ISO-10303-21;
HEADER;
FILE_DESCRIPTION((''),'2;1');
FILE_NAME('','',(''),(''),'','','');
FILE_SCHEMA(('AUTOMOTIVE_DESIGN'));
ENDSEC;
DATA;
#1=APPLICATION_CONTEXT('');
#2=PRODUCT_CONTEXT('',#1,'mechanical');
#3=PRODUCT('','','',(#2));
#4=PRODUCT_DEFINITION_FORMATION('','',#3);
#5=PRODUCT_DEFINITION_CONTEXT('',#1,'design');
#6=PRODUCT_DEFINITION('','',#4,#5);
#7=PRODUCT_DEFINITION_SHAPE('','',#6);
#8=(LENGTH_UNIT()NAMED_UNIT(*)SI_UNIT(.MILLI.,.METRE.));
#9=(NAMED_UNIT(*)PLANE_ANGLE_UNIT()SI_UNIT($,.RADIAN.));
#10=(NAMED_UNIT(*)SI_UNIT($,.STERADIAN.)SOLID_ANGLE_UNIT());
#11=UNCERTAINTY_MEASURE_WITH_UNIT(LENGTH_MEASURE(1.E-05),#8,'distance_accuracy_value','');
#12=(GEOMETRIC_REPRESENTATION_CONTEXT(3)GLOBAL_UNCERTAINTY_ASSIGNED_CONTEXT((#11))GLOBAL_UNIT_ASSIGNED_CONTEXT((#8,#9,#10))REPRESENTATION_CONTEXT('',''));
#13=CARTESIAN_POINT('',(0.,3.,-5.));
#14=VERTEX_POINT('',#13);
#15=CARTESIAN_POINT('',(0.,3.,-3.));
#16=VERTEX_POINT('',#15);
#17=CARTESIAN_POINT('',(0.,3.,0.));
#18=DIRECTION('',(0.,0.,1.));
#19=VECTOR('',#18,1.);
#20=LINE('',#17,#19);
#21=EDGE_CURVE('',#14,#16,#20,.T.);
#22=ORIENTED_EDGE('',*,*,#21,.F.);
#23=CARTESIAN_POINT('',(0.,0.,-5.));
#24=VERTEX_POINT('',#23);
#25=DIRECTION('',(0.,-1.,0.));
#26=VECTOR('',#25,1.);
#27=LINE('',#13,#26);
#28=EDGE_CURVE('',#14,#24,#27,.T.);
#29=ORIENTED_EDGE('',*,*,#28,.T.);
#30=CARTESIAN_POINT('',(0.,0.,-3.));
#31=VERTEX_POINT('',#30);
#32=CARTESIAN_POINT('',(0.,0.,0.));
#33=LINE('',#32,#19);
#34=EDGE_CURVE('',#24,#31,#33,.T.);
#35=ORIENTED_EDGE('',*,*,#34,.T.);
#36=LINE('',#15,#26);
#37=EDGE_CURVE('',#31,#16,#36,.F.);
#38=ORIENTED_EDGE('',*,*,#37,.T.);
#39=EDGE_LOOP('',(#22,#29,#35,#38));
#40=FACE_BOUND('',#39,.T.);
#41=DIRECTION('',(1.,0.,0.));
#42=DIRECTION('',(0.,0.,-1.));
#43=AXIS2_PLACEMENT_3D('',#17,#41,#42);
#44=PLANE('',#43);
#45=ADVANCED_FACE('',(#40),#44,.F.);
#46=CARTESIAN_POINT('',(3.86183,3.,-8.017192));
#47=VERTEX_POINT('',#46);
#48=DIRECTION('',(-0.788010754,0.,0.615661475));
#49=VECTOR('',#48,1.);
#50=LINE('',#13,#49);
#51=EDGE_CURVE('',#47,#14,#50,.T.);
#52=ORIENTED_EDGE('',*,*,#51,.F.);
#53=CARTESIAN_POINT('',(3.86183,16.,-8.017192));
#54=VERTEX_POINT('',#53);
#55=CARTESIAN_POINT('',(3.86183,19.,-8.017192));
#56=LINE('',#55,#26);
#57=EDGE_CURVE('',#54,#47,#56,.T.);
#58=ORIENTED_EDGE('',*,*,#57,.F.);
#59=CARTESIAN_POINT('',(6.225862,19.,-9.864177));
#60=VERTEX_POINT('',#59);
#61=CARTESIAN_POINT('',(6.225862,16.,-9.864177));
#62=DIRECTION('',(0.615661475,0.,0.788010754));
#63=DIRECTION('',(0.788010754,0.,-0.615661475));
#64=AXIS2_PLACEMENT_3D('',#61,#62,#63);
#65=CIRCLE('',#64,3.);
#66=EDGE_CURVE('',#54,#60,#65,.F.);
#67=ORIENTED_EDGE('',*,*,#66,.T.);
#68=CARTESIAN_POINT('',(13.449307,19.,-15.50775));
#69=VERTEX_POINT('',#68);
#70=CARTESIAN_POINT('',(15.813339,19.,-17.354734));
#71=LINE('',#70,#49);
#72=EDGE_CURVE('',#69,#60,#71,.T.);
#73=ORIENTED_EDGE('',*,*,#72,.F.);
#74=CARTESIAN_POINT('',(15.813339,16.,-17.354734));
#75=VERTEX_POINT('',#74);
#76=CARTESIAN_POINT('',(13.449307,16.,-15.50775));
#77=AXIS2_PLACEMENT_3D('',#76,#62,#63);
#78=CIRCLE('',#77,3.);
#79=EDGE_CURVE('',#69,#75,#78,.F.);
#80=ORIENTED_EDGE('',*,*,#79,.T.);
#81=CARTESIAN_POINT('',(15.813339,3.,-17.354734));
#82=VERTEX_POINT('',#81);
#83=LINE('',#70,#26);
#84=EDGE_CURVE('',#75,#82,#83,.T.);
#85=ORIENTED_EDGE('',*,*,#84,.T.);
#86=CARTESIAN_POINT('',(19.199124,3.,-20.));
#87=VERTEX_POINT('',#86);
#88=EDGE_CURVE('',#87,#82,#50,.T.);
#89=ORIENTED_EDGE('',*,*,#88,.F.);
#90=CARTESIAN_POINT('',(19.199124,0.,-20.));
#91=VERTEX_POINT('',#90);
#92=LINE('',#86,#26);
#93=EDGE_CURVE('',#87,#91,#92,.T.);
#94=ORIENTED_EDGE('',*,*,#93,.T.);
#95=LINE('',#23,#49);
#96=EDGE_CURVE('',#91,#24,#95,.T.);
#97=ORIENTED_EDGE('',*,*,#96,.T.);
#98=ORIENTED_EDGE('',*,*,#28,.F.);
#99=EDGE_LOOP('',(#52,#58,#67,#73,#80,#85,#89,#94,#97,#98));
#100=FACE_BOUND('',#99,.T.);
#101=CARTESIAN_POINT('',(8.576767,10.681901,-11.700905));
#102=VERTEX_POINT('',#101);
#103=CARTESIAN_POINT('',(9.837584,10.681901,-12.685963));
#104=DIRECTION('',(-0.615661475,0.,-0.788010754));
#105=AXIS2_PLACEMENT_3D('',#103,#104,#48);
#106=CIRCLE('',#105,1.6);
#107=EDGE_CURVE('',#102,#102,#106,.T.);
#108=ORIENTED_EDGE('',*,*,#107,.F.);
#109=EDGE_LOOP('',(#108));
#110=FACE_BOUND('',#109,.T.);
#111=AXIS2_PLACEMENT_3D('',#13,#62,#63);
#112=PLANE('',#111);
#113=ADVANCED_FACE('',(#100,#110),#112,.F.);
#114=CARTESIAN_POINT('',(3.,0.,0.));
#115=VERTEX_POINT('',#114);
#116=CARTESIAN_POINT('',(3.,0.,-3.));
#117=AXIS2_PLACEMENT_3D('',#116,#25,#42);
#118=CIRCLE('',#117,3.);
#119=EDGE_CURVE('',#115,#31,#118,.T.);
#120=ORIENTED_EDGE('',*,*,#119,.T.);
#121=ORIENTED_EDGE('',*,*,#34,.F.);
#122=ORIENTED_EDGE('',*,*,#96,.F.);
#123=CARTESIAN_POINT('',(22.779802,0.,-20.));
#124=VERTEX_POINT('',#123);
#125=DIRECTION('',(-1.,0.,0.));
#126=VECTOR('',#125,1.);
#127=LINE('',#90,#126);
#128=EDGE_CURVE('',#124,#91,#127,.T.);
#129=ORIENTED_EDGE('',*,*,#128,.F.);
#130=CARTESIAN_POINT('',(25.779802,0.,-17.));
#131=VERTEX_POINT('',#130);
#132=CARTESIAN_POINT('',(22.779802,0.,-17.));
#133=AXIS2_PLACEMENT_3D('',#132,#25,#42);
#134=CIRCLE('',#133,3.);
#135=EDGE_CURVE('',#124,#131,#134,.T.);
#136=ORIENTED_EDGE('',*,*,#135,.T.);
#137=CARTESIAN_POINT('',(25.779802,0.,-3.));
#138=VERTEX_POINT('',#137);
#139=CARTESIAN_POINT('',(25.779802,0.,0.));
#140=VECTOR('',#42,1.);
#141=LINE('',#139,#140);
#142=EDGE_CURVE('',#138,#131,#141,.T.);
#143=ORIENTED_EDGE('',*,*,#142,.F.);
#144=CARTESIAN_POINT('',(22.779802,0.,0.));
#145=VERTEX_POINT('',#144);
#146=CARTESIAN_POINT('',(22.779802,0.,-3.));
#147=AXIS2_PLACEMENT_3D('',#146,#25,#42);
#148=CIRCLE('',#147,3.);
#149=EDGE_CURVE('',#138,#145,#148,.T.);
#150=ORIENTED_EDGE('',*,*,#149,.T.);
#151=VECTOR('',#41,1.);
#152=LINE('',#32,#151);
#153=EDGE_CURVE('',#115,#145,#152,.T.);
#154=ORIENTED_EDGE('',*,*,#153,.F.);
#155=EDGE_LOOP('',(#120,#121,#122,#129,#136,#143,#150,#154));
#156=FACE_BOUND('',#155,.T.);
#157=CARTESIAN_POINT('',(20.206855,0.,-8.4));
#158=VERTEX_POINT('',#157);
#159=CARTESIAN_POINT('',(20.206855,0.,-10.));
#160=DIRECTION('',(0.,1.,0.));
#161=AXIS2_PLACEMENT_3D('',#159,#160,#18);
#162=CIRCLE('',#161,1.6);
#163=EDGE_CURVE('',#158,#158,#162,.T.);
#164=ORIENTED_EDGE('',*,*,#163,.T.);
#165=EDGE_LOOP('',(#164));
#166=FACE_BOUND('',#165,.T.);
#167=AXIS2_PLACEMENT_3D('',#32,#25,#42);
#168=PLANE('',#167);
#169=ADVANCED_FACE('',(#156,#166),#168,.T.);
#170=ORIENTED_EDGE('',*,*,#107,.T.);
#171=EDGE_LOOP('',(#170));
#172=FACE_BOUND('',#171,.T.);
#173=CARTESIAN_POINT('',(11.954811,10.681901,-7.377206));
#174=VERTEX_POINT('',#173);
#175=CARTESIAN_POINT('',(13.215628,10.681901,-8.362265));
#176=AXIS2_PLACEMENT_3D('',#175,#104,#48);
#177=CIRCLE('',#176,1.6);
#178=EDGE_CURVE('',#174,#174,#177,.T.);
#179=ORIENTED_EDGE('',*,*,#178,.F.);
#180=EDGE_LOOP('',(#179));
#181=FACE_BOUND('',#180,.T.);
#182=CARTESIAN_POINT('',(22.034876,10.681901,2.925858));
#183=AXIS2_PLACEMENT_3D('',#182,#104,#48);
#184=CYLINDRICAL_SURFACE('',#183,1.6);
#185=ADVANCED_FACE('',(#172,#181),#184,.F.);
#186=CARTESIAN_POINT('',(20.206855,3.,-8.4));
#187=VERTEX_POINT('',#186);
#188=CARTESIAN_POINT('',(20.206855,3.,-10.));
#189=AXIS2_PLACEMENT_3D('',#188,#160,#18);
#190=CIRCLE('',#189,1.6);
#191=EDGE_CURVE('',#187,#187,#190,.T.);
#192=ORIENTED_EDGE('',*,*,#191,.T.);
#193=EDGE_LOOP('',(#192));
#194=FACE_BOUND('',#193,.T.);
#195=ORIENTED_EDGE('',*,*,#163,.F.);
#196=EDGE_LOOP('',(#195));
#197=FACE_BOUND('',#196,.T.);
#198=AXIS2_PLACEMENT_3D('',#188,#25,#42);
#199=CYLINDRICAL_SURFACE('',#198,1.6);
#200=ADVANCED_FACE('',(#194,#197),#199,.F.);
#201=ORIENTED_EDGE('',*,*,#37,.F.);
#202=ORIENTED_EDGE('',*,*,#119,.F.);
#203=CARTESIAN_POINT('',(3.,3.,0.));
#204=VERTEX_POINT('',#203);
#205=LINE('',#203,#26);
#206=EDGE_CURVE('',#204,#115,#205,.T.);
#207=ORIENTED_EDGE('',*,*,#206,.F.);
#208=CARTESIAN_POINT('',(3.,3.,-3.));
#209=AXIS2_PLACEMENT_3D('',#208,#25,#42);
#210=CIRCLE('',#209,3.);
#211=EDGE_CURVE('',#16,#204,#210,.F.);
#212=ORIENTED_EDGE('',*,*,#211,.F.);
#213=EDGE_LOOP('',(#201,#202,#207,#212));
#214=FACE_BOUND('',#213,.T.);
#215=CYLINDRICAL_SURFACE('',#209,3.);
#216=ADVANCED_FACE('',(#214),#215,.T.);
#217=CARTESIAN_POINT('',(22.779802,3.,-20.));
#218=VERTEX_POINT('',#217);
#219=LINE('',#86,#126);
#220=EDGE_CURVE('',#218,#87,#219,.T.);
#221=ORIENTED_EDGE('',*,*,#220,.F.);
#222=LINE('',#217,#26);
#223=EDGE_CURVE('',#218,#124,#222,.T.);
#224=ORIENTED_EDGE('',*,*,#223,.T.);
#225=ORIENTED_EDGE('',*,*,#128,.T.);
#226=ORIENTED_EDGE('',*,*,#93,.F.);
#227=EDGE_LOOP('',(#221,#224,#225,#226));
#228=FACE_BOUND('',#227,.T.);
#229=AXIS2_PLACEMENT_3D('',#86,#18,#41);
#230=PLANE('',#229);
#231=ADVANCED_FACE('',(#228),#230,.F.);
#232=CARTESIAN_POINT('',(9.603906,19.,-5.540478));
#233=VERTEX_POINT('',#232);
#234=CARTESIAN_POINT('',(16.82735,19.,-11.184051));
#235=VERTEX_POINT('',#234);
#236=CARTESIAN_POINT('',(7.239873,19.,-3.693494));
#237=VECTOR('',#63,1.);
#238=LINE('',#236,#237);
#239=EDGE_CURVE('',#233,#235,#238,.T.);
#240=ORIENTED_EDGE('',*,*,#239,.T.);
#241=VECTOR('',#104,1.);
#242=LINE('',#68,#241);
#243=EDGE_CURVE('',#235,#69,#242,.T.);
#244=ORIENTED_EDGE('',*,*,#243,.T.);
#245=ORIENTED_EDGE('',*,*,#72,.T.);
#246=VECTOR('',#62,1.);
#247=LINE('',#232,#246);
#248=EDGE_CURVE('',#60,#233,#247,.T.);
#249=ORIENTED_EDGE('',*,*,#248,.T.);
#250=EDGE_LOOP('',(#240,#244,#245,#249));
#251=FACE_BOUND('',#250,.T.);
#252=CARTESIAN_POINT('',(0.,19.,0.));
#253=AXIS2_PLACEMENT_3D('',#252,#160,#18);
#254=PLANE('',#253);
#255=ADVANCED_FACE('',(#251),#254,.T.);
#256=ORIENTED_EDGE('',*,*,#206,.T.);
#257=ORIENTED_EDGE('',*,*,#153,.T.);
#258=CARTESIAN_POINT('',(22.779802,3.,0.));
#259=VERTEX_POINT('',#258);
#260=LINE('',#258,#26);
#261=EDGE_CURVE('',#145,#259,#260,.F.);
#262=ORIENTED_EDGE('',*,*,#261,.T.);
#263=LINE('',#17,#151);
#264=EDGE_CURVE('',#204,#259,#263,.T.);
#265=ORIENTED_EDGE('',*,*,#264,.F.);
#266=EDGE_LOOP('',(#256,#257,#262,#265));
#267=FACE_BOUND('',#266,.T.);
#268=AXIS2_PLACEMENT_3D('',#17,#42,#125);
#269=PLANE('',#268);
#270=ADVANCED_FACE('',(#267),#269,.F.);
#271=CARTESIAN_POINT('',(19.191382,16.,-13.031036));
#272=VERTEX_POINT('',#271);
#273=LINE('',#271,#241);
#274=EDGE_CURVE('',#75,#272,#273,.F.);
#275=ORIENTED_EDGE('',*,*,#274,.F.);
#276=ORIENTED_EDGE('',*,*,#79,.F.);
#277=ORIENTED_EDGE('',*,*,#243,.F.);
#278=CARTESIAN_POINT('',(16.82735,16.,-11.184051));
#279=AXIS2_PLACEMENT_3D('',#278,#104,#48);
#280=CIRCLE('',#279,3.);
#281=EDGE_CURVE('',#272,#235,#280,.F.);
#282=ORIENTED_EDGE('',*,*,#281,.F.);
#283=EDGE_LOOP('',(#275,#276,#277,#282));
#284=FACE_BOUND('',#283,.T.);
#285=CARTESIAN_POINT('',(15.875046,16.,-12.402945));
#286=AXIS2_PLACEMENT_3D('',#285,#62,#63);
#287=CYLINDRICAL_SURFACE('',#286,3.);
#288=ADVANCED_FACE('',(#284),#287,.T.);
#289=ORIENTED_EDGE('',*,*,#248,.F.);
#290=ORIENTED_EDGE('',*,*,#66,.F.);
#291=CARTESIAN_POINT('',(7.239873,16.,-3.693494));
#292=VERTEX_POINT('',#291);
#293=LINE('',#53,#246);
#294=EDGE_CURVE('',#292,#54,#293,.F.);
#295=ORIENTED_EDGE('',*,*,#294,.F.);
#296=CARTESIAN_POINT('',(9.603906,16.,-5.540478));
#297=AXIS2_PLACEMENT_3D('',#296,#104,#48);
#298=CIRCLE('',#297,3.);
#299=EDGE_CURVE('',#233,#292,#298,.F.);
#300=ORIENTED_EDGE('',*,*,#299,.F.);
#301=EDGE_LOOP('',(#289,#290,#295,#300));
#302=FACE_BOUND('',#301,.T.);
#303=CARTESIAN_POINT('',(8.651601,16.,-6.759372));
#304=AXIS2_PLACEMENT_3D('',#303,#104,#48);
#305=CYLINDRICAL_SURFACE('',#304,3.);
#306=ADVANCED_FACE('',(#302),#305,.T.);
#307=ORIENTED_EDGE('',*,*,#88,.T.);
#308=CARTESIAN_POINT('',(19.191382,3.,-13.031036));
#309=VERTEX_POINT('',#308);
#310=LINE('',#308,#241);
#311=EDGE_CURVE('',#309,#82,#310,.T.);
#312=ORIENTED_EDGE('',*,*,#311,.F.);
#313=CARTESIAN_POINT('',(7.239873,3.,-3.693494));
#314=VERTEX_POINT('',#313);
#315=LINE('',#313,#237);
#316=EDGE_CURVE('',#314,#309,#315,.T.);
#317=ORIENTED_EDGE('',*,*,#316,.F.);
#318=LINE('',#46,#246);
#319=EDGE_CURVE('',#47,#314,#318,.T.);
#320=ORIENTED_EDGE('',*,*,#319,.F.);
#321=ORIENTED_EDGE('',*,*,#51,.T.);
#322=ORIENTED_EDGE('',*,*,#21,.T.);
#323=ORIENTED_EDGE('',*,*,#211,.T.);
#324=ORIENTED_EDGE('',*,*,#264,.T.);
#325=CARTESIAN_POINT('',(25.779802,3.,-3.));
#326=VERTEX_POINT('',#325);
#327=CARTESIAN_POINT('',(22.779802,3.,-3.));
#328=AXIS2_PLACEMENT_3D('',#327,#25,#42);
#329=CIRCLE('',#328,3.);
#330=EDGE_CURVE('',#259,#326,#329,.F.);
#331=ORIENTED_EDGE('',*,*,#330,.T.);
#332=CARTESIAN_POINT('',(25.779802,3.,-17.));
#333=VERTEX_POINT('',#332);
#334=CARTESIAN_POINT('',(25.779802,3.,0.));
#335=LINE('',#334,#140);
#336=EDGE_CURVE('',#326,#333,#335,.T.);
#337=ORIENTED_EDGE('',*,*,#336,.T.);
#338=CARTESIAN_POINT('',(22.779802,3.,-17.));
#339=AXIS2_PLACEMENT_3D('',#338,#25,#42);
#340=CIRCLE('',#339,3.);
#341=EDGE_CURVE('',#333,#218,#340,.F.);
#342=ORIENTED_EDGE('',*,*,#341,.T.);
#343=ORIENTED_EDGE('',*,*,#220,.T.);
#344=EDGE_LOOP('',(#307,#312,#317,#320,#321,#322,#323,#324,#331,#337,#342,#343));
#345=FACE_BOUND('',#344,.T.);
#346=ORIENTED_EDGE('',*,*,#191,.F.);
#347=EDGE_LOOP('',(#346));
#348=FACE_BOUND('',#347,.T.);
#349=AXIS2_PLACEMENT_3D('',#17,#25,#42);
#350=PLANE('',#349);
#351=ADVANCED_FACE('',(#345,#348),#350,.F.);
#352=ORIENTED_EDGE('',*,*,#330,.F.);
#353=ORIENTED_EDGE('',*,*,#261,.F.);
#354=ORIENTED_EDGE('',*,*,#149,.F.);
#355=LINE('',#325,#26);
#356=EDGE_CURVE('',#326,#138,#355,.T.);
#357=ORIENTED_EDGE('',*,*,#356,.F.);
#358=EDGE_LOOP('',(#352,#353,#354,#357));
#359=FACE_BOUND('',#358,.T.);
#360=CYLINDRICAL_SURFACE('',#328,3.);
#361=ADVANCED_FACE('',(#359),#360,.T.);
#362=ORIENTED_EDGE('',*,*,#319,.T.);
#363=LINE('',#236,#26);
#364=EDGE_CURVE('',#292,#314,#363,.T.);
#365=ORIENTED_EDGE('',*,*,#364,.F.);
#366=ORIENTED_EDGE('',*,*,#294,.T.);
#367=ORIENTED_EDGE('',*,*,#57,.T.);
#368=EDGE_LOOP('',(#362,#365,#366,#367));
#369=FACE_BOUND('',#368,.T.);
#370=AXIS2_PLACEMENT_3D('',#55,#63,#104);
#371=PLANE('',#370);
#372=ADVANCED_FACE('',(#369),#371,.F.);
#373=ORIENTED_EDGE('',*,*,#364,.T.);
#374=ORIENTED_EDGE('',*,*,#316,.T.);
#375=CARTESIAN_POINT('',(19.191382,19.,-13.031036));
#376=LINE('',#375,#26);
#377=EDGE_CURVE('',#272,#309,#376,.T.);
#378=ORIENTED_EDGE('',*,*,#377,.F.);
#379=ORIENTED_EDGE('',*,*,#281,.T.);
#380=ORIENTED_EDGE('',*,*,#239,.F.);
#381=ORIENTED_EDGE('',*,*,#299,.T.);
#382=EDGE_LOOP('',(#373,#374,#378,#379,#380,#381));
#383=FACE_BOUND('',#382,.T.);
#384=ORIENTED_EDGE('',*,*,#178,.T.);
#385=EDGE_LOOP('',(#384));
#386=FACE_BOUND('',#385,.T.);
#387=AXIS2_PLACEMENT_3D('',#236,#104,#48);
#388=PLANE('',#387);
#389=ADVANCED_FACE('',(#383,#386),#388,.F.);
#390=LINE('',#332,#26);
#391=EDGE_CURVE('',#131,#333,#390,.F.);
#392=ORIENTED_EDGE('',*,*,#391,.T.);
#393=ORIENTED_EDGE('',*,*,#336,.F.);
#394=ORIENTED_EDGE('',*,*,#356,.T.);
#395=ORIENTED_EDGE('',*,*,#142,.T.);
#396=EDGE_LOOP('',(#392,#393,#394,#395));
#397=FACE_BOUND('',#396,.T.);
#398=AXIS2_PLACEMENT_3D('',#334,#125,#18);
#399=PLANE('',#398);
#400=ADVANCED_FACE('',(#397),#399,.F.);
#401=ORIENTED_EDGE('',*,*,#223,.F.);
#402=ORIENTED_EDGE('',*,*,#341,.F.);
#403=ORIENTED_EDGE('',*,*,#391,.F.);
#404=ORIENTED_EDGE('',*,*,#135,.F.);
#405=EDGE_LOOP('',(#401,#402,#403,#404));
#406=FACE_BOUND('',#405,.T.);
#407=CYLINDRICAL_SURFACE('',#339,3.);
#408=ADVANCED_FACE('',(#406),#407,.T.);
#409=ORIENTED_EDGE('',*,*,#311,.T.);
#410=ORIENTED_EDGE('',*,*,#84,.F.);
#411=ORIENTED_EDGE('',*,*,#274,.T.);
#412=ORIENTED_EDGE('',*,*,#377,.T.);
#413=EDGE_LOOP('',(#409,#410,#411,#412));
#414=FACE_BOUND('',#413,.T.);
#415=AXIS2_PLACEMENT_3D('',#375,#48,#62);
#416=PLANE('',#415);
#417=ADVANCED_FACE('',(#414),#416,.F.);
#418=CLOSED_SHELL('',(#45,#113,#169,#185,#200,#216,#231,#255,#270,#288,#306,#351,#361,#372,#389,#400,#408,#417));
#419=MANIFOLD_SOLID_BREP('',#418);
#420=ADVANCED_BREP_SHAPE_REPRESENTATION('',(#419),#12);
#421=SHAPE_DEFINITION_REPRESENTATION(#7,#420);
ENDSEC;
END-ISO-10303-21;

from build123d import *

# Parameters (mm, degrees)
SKETCH_1_R          = 1.6
EXTRUDE_1_DEPTH     = 3
EXTRUDE_2_DEPTH     = 16
SKETCH_4_R          = 1.6
CUT_EXTRUDE_2_DEPTH = 38.973677807
FILLET_1_R          = 3


with BuildPart() as part:
    # 草图1 → 凸台-拉伸1 (new body)
    with BuildSketch(Plane(origin=(0, 0, 0), x_dir=(1, 0, 0), z_dir=(0, 1, 0))):
        Polygon((0, 5), (19.199124483, 20), (25.779802397, 20), (25.779802397, 0), (0, 0), align=None)
        with Locations(Location((20.206855342, 10, 0), (0, 0, 270))):
            Circle(SKETCH_1_R, mode=Mode.SUBTRACT)
    extrude(amount=EXTRUDE_1_DEPTH)

    # 草图2 → 凸台-拉伸2 (add)
    with BuildSketch(Plane(origin=(0, 3, 0), x_dir=(1, 0, 0), z_dir=(0, 1, 0))):
        Polygon((3.86182986, 8.017192162), (7.239873376, 3.69349363), (19.191382346, 13.031035803), (15.81333883, 17.354734335), align=None)
    extrude(amount=EXTRUDE_2_DEPTH)

    # 草图4 → 切除-拉伸2 (cut, through all)
    with BuildSketch(Plane(origin=(-2.425739316, 0, -3.104804739), x_dir=(-0.7880107536067209, 0, 0.6156614753256597), z_dir=(-0.6156614753256597, 0, -0.7880107536067209))):
        with Locations((-15.562381102, 10.681901231)):
            Circle(SKETCH_4_R)
    extrude(amount=-CUT_EXTRUDE_2_DEPTH, mode=Mode.SUBTRACT)

    # 圆角1
    fillet_1_edges = [part.edges().sort_by_distance(p)[0] for p in [
        (5.550851618, 19, -5.855342896),
        (17.502360588, 19, -15.192885069),
        (25.779802397, 1.5, -20),
        (0, 1.5, 0),
        (25.779802397, 1.5, 0),
    ]]
    fillet(fillet_1_edges, radius=FILLET_1_R)


solid = part.part
